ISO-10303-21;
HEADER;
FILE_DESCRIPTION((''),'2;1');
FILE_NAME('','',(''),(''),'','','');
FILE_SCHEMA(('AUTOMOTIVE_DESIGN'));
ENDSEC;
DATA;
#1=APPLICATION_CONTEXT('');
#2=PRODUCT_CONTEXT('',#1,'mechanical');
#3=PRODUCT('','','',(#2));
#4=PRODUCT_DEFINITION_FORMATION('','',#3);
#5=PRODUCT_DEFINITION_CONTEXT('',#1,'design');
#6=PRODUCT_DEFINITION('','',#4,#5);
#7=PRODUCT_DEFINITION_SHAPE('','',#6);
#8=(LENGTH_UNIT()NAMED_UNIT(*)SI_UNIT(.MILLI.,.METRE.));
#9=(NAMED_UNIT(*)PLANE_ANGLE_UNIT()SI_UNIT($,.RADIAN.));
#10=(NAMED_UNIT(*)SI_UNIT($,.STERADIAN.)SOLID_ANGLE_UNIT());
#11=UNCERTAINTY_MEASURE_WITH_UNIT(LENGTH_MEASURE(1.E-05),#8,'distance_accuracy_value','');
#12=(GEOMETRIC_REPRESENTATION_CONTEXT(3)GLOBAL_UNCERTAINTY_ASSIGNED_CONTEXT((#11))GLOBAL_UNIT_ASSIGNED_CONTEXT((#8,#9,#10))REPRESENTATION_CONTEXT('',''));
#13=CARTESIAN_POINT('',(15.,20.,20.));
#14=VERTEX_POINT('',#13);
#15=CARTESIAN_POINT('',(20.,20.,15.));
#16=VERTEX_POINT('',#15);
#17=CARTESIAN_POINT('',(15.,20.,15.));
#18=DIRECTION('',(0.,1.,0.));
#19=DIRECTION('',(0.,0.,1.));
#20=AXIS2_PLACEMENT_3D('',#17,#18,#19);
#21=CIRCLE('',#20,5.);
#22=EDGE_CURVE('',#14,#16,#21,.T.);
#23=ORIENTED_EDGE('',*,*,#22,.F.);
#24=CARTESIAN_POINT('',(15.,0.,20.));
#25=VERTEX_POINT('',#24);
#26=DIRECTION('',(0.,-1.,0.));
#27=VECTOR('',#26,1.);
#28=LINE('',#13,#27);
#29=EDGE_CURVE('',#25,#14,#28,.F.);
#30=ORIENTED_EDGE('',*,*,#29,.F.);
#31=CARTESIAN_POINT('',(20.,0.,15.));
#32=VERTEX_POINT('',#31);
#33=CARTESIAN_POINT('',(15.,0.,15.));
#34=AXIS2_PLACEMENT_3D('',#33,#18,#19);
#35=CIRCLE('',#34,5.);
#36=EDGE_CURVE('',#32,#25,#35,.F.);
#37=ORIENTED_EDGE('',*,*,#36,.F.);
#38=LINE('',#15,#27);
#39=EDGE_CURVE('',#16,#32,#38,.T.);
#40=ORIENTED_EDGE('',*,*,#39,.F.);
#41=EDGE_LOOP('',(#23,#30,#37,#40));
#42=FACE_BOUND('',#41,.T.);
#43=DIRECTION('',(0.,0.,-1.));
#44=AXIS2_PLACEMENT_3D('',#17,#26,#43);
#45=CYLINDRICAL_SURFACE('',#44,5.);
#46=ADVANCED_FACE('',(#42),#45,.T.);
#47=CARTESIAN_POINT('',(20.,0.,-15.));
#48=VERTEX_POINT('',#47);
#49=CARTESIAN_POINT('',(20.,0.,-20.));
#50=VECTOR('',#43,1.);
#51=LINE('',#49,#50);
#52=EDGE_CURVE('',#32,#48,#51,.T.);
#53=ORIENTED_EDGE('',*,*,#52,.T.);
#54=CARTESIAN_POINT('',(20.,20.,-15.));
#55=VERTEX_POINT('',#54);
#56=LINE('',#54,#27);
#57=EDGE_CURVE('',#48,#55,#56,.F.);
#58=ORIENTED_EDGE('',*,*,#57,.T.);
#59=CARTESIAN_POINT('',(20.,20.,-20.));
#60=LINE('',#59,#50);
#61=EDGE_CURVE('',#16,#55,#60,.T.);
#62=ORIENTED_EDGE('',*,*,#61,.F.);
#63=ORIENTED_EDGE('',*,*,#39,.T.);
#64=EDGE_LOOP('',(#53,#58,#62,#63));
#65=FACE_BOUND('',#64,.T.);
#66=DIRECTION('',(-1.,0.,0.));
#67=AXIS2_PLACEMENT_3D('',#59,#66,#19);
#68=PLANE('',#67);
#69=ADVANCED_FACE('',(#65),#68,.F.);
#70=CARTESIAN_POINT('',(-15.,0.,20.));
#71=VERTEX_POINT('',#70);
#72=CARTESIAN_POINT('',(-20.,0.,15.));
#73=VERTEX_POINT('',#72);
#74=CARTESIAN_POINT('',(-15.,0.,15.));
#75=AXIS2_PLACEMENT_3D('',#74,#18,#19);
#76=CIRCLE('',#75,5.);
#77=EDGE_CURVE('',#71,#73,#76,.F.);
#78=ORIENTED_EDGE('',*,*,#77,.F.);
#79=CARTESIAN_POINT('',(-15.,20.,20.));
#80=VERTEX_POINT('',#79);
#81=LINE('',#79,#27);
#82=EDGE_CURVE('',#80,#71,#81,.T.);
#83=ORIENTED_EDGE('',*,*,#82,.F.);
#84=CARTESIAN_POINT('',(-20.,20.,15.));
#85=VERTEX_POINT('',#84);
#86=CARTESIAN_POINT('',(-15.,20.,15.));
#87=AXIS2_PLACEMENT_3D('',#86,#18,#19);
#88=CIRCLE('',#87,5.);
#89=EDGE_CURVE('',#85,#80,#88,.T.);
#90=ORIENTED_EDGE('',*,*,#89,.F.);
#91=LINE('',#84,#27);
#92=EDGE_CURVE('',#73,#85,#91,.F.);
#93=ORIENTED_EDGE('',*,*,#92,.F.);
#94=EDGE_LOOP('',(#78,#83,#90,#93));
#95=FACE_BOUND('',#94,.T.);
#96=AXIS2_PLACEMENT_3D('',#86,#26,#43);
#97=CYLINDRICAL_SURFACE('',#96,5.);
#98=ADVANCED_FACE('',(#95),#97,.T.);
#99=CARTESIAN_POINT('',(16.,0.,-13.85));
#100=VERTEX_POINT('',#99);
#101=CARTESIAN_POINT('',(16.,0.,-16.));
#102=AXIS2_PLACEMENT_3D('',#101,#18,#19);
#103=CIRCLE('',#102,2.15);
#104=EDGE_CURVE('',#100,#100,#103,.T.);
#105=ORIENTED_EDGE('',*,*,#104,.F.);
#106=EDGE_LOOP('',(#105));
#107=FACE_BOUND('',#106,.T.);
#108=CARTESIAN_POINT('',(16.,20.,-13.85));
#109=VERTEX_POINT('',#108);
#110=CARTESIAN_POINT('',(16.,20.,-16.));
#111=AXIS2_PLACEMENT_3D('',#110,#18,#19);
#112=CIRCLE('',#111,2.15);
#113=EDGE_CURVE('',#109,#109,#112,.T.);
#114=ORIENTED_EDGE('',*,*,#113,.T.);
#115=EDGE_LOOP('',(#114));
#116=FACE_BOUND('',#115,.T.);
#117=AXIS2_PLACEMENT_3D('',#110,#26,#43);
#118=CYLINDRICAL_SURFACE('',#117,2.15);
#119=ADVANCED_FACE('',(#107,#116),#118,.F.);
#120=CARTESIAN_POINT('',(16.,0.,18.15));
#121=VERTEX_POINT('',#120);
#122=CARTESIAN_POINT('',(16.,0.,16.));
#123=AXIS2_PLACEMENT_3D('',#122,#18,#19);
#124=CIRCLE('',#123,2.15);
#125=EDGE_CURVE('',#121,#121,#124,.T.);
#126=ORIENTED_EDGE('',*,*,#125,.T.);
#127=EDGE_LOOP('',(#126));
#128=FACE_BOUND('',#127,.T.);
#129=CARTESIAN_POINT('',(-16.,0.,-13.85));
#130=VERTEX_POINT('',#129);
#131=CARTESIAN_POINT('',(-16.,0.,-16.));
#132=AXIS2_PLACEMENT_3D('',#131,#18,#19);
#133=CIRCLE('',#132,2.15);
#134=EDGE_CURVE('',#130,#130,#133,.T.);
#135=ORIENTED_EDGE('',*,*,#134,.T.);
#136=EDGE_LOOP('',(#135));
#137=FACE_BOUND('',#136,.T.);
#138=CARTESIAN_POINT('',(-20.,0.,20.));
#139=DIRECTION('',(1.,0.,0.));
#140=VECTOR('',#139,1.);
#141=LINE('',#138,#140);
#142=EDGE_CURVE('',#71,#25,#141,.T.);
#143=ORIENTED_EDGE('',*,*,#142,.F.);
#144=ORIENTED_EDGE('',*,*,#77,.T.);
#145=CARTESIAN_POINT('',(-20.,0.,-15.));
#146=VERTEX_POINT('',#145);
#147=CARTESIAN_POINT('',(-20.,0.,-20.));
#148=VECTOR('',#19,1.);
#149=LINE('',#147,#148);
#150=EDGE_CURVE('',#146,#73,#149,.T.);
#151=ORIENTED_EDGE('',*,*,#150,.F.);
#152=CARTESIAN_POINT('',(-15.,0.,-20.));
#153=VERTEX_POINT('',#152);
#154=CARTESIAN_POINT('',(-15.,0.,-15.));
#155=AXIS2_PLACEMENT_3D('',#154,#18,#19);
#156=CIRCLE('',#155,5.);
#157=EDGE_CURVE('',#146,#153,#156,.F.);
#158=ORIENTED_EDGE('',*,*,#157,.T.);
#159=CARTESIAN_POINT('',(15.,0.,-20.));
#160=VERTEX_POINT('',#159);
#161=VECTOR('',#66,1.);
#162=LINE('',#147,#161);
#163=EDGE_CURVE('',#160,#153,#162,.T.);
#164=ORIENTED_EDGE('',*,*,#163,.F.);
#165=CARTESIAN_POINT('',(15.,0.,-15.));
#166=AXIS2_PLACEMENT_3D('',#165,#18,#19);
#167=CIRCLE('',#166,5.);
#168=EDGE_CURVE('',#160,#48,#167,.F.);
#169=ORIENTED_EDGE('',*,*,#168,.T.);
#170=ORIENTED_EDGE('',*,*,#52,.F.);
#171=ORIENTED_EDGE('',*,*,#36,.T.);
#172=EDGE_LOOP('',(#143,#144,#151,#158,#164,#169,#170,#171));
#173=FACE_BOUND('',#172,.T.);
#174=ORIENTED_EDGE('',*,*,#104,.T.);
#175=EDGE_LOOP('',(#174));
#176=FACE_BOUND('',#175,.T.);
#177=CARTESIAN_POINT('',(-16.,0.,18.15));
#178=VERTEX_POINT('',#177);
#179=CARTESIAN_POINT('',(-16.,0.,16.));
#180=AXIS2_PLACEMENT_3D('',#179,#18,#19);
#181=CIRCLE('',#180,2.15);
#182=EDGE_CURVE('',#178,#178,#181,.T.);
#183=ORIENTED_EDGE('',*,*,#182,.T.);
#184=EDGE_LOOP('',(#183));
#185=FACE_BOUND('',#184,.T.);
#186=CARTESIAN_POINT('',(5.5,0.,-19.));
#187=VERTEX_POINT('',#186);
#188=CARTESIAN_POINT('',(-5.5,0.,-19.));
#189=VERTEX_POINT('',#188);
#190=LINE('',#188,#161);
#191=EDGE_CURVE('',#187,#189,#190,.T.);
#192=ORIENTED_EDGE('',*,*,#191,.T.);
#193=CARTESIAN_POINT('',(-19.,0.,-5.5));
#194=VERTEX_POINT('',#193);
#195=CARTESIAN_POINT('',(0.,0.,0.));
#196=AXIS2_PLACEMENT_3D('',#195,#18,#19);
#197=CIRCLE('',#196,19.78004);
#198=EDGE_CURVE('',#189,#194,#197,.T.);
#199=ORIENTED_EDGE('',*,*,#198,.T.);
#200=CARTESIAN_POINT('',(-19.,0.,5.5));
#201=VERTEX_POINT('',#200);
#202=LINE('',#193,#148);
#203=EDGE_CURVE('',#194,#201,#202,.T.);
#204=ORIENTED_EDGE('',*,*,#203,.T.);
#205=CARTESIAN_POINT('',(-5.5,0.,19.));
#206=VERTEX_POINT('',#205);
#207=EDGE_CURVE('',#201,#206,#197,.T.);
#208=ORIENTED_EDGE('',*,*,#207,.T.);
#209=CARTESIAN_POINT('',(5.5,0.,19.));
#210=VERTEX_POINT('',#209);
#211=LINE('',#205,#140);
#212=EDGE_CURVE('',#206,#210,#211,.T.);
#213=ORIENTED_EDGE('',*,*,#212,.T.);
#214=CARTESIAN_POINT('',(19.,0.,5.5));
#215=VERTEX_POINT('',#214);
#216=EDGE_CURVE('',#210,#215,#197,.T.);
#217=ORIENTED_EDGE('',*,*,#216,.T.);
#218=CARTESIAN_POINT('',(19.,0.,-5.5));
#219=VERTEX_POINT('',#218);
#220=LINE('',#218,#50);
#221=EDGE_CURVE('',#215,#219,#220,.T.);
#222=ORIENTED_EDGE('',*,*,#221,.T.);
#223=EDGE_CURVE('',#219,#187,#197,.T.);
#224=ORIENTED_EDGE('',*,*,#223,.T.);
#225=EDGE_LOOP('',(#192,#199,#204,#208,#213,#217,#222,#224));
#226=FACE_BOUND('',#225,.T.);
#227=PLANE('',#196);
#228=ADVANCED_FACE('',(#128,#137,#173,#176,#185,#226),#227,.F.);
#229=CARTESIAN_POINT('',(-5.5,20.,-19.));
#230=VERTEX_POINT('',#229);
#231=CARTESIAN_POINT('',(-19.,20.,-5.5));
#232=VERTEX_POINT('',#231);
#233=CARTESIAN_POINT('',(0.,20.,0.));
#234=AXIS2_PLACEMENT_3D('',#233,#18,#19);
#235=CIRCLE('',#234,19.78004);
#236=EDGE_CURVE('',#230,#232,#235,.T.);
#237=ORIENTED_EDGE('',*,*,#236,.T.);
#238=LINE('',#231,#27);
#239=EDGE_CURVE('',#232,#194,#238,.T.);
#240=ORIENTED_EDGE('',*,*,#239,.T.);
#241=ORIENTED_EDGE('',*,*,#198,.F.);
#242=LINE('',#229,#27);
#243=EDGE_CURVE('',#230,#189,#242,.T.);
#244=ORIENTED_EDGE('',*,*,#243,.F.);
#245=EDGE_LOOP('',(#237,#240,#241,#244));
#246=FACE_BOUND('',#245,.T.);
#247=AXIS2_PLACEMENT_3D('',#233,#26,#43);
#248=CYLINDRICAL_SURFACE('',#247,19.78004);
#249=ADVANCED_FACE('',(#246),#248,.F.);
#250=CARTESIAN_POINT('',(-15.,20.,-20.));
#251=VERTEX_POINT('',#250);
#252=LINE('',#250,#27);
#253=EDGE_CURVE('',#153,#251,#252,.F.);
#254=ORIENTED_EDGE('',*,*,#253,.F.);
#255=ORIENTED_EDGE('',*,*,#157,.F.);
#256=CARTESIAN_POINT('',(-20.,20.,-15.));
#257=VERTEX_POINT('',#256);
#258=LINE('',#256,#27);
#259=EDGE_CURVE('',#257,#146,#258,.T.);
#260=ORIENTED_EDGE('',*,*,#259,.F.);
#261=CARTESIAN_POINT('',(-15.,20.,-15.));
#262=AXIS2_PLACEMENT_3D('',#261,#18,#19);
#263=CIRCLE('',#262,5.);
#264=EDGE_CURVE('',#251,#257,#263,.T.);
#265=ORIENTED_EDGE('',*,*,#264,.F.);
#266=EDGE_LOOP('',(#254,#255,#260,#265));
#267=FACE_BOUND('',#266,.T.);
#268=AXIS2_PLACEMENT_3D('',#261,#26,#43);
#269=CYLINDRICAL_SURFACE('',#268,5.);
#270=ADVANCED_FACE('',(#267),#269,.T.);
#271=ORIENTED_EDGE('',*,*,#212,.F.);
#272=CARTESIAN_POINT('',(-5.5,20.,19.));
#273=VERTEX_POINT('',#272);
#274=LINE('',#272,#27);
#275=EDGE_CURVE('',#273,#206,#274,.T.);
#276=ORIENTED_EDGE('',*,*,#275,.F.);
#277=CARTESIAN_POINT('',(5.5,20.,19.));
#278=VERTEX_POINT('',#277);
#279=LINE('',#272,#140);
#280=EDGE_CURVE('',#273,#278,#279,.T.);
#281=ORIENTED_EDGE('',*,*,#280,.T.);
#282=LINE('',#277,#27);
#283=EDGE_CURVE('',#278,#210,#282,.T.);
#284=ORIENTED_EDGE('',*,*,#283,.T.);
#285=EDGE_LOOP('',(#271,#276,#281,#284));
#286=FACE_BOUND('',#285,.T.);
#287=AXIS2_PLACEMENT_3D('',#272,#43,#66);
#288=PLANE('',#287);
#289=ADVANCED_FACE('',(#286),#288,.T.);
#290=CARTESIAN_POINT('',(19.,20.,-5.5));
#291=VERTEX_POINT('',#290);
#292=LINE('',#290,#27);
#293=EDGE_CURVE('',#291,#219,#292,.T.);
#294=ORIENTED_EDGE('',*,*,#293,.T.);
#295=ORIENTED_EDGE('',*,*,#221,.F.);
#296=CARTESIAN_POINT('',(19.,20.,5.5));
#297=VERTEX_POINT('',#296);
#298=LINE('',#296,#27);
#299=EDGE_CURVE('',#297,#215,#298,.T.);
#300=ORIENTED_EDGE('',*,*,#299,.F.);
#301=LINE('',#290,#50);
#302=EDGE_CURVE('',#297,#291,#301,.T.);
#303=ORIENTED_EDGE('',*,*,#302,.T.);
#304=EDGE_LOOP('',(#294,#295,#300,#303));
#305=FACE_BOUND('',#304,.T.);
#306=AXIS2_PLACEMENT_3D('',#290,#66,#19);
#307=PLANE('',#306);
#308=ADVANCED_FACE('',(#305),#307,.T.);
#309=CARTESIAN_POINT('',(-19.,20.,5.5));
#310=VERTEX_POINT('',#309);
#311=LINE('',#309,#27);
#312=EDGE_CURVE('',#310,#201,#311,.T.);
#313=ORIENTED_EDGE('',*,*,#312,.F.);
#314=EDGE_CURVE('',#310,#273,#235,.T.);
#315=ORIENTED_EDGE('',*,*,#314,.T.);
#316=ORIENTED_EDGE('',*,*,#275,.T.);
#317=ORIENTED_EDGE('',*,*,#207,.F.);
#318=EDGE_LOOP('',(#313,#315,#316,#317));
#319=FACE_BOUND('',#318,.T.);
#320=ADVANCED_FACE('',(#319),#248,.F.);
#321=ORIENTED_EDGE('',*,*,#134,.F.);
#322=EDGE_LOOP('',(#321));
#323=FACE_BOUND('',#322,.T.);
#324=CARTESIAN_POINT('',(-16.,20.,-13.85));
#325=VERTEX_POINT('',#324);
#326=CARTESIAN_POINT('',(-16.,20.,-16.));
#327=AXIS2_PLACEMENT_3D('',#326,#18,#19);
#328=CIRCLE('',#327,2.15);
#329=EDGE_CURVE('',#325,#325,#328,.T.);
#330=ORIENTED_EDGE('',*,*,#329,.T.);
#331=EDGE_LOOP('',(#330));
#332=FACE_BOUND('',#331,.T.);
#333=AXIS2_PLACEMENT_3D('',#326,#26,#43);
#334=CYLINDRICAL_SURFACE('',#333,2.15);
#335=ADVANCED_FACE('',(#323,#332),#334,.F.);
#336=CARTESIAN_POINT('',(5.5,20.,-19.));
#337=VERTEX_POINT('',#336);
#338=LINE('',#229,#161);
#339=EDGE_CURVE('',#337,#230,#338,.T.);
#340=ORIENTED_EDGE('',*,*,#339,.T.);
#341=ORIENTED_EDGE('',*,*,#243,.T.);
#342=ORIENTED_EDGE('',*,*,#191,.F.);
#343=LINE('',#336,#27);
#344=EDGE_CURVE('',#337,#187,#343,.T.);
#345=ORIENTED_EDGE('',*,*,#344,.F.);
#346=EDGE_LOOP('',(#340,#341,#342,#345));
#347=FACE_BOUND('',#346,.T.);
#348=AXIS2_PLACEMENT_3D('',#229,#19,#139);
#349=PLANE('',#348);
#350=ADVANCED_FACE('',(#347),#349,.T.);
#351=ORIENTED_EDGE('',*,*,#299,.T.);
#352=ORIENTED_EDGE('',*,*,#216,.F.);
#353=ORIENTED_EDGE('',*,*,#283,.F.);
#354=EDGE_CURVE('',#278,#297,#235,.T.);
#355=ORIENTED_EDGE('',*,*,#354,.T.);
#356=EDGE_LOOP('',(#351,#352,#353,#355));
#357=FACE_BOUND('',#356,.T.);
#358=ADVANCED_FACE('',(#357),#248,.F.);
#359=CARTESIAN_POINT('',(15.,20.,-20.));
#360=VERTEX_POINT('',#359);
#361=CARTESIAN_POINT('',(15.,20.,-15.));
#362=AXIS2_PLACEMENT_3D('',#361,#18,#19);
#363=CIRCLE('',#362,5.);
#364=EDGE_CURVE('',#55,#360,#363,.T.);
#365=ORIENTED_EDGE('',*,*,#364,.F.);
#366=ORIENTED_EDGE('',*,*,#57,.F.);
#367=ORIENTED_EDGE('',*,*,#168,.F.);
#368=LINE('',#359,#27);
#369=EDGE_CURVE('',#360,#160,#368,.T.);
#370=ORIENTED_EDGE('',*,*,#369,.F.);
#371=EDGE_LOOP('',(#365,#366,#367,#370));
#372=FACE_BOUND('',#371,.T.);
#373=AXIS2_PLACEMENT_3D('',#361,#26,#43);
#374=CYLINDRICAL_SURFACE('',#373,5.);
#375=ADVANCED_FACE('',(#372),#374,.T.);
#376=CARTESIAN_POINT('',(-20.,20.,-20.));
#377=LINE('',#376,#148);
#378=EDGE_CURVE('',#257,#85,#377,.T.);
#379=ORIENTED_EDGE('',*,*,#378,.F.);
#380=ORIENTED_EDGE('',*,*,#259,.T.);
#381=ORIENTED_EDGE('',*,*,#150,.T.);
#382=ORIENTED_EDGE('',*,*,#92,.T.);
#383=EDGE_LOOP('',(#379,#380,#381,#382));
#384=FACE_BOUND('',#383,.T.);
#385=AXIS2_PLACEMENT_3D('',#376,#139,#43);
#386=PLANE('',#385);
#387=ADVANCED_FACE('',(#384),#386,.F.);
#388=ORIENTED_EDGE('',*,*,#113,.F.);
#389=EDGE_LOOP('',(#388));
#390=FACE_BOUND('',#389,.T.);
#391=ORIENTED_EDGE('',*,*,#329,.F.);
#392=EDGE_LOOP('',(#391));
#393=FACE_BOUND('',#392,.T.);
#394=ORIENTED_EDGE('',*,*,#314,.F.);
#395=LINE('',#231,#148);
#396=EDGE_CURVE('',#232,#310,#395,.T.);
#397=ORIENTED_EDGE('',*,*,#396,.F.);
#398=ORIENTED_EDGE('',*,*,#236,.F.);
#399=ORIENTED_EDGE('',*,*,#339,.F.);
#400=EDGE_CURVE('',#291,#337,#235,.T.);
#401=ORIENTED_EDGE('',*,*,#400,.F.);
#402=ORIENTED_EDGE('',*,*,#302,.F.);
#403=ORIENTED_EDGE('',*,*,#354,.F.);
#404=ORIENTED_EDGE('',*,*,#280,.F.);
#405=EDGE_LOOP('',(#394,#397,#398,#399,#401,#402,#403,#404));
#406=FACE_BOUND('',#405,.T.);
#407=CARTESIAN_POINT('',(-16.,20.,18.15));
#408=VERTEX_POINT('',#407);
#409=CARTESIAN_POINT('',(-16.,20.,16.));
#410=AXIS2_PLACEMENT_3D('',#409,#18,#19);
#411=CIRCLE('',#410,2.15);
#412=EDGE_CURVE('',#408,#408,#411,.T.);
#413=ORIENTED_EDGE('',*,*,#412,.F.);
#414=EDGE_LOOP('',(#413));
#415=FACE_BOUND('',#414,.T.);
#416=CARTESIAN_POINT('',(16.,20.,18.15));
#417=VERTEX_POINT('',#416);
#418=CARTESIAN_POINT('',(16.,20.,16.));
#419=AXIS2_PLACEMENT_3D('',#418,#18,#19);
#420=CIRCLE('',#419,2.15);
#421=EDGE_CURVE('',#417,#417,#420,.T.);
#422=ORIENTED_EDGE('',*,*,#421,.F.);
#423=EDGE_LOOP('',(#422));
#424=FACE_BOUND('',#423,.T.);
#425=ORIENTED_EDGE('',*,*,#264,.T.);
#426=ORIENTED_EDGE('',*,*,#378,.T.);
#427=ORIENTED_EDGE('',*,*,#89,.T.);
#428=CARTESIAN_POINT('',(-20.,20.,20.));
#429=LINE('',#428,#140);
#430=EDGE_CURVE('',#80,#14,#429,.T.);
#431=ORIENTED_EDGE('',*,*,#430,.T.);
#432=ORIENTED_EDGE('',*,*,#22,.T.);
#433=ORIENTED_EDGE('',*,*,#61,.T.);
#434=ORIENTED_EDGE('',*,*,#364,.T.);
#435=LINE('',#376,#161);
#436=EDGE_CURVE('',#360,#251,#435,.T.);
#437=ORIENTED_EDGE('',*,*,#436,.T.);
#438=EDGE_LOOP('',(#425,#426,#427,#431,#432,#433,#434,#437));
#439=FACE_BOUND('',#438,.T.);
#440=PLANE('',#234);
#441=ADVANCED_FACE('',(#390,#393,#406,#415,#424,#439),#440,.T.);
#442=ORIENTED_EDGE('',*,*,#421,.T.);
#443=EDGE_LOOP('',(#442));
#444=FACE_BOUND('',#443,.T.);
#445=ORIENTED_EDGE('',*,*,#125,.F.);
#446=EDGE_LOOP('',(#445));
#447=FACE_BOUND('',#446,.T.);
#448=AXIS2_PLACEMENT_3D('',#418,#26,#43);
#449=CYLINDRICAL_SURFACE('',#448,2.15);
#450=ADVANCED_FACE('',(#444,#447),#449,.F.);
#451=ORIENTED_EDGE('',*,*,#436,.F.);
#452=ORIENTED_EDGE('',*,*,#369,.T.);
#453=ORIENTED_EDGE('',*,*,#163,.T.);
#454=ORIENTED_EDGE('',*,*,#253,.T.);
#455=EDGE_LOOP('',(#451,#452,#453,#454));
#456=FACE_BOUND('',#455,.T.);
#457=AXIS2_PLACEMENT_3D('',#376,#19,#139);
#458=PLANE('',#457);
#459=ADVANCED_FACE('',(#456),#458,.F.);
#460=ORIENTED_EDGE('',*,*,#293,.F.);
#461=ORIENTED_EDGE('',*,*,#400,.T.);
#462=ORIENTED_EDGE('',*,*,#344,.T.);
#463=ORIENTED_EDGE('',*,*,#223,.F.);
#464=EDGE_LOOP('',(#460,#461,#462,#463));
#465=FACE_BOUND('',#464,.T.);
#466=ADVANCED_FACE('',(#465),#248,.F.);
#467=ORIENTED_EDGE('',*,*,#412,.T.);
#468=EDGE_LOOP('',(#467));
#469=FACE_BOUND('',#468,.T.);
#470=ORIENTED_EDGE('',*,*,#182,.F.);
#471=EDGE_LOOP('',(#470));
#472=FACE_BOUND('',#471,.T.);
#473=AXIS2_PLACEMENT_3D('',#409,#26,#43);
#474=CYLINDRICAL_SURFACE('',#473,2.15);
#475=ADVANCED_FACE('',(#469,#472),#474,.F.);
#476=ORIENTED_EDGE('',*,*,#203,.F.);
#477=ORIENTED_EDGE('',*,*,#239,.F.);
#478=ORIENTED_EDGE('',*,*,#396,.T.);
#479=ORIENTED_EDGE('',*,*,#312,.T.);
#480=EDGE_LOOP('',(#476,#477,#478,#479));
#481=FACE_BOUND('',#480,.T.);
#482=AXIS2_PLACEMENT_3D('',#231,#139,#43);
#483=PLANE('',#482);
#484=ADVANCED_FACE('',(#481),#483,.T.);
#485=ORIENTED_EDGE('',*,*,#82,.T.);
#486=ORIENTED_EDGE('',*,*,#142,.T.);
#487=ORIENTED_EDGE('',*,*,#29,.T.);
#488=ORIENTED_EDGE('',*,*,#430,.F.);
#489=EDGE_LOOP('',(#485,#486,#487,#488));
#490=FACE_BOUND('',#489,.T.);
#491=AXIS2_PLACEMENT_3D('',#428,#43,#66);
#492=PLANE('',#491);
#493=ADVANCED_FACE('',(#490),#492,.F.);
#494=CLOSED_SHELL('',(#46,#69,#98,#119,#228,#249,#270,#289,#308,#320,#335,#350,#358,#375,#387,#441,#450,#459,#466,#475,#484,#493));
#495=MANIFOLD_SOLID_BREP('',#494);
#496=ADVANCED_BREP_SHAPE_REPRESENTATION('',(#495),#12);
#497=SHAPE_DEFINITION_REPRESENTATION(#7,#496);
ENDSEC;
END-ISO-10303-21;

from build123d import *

# Parameters (mm, degrees)
SKETCH1_W           = 40
SKETCH1_H           = 40
SKETCH1_R           = 2.15
BOSS_EXTRUDE1_DEPTH = 20
FILLET1_R           = 5


with BuildPart() as part:
    # Sketch1 → Boss-Extrude1 (new body)
    with BuildSketch(Plane(origin=(0, 0, 0), x_dir=(1, 0, 0), z_dir=(0, 1, 0))):
        Rectangle(SKETCH1_W, SKETCH1_H)
        with Locations((16, 16)):
            Circle(SKETCH1_R, mode=Mode.SUBTRACT)
        with Locations((16, -16)):
            Circle(SKETCH1_R, mode=Mode.SUBTRACT)
        with Locations((-16, -16)):
            Circle(SKETCH1_R, mode=Mode.SUBTRACT)
        with Locations((-16, 16)):
            Circle(SKETCH1_R, mode=Mode.SUBTRACT)
        with BuildLine():
            Line((-5.5, 19), (5.5, 19))
            ThreePointArc((5.5, 19), (13.986600731, 13.986600731), (19, 5.5))
            Line((19, 5.5), (19, -5.5))
            ThreePointArc((19, -5.5), (13.986600731, -13.986600731), (5.5, -19))
            Line((5.5, -19), (-5.5, -19))
            ThreePointArc((-5.5, -19), (-13.986600731, -13.986600731), (-19, -5.5))
            Line((-19, -5.5), (-19, 5.5))
            ThreePointArc((-19, 5.5), (-13.986600731, 13.986600731), (-5.5, 19))
        make_face(mode=Mode.SUBTRACT)
    extrude(amount=BOSS_EXTRUDE1_DEPTH)

    # Fillet1
    fillet1_edges = [part.edges().sort_by_distance(p)[0] for p in [
        (-20, 10, 20),
        (20, 10, 20),
        (20, 10, -20),
        (-20, 10, -20),
    ]]
    fillet(fillet1_edges, radius=FILLET1_R)


solid = part.part
